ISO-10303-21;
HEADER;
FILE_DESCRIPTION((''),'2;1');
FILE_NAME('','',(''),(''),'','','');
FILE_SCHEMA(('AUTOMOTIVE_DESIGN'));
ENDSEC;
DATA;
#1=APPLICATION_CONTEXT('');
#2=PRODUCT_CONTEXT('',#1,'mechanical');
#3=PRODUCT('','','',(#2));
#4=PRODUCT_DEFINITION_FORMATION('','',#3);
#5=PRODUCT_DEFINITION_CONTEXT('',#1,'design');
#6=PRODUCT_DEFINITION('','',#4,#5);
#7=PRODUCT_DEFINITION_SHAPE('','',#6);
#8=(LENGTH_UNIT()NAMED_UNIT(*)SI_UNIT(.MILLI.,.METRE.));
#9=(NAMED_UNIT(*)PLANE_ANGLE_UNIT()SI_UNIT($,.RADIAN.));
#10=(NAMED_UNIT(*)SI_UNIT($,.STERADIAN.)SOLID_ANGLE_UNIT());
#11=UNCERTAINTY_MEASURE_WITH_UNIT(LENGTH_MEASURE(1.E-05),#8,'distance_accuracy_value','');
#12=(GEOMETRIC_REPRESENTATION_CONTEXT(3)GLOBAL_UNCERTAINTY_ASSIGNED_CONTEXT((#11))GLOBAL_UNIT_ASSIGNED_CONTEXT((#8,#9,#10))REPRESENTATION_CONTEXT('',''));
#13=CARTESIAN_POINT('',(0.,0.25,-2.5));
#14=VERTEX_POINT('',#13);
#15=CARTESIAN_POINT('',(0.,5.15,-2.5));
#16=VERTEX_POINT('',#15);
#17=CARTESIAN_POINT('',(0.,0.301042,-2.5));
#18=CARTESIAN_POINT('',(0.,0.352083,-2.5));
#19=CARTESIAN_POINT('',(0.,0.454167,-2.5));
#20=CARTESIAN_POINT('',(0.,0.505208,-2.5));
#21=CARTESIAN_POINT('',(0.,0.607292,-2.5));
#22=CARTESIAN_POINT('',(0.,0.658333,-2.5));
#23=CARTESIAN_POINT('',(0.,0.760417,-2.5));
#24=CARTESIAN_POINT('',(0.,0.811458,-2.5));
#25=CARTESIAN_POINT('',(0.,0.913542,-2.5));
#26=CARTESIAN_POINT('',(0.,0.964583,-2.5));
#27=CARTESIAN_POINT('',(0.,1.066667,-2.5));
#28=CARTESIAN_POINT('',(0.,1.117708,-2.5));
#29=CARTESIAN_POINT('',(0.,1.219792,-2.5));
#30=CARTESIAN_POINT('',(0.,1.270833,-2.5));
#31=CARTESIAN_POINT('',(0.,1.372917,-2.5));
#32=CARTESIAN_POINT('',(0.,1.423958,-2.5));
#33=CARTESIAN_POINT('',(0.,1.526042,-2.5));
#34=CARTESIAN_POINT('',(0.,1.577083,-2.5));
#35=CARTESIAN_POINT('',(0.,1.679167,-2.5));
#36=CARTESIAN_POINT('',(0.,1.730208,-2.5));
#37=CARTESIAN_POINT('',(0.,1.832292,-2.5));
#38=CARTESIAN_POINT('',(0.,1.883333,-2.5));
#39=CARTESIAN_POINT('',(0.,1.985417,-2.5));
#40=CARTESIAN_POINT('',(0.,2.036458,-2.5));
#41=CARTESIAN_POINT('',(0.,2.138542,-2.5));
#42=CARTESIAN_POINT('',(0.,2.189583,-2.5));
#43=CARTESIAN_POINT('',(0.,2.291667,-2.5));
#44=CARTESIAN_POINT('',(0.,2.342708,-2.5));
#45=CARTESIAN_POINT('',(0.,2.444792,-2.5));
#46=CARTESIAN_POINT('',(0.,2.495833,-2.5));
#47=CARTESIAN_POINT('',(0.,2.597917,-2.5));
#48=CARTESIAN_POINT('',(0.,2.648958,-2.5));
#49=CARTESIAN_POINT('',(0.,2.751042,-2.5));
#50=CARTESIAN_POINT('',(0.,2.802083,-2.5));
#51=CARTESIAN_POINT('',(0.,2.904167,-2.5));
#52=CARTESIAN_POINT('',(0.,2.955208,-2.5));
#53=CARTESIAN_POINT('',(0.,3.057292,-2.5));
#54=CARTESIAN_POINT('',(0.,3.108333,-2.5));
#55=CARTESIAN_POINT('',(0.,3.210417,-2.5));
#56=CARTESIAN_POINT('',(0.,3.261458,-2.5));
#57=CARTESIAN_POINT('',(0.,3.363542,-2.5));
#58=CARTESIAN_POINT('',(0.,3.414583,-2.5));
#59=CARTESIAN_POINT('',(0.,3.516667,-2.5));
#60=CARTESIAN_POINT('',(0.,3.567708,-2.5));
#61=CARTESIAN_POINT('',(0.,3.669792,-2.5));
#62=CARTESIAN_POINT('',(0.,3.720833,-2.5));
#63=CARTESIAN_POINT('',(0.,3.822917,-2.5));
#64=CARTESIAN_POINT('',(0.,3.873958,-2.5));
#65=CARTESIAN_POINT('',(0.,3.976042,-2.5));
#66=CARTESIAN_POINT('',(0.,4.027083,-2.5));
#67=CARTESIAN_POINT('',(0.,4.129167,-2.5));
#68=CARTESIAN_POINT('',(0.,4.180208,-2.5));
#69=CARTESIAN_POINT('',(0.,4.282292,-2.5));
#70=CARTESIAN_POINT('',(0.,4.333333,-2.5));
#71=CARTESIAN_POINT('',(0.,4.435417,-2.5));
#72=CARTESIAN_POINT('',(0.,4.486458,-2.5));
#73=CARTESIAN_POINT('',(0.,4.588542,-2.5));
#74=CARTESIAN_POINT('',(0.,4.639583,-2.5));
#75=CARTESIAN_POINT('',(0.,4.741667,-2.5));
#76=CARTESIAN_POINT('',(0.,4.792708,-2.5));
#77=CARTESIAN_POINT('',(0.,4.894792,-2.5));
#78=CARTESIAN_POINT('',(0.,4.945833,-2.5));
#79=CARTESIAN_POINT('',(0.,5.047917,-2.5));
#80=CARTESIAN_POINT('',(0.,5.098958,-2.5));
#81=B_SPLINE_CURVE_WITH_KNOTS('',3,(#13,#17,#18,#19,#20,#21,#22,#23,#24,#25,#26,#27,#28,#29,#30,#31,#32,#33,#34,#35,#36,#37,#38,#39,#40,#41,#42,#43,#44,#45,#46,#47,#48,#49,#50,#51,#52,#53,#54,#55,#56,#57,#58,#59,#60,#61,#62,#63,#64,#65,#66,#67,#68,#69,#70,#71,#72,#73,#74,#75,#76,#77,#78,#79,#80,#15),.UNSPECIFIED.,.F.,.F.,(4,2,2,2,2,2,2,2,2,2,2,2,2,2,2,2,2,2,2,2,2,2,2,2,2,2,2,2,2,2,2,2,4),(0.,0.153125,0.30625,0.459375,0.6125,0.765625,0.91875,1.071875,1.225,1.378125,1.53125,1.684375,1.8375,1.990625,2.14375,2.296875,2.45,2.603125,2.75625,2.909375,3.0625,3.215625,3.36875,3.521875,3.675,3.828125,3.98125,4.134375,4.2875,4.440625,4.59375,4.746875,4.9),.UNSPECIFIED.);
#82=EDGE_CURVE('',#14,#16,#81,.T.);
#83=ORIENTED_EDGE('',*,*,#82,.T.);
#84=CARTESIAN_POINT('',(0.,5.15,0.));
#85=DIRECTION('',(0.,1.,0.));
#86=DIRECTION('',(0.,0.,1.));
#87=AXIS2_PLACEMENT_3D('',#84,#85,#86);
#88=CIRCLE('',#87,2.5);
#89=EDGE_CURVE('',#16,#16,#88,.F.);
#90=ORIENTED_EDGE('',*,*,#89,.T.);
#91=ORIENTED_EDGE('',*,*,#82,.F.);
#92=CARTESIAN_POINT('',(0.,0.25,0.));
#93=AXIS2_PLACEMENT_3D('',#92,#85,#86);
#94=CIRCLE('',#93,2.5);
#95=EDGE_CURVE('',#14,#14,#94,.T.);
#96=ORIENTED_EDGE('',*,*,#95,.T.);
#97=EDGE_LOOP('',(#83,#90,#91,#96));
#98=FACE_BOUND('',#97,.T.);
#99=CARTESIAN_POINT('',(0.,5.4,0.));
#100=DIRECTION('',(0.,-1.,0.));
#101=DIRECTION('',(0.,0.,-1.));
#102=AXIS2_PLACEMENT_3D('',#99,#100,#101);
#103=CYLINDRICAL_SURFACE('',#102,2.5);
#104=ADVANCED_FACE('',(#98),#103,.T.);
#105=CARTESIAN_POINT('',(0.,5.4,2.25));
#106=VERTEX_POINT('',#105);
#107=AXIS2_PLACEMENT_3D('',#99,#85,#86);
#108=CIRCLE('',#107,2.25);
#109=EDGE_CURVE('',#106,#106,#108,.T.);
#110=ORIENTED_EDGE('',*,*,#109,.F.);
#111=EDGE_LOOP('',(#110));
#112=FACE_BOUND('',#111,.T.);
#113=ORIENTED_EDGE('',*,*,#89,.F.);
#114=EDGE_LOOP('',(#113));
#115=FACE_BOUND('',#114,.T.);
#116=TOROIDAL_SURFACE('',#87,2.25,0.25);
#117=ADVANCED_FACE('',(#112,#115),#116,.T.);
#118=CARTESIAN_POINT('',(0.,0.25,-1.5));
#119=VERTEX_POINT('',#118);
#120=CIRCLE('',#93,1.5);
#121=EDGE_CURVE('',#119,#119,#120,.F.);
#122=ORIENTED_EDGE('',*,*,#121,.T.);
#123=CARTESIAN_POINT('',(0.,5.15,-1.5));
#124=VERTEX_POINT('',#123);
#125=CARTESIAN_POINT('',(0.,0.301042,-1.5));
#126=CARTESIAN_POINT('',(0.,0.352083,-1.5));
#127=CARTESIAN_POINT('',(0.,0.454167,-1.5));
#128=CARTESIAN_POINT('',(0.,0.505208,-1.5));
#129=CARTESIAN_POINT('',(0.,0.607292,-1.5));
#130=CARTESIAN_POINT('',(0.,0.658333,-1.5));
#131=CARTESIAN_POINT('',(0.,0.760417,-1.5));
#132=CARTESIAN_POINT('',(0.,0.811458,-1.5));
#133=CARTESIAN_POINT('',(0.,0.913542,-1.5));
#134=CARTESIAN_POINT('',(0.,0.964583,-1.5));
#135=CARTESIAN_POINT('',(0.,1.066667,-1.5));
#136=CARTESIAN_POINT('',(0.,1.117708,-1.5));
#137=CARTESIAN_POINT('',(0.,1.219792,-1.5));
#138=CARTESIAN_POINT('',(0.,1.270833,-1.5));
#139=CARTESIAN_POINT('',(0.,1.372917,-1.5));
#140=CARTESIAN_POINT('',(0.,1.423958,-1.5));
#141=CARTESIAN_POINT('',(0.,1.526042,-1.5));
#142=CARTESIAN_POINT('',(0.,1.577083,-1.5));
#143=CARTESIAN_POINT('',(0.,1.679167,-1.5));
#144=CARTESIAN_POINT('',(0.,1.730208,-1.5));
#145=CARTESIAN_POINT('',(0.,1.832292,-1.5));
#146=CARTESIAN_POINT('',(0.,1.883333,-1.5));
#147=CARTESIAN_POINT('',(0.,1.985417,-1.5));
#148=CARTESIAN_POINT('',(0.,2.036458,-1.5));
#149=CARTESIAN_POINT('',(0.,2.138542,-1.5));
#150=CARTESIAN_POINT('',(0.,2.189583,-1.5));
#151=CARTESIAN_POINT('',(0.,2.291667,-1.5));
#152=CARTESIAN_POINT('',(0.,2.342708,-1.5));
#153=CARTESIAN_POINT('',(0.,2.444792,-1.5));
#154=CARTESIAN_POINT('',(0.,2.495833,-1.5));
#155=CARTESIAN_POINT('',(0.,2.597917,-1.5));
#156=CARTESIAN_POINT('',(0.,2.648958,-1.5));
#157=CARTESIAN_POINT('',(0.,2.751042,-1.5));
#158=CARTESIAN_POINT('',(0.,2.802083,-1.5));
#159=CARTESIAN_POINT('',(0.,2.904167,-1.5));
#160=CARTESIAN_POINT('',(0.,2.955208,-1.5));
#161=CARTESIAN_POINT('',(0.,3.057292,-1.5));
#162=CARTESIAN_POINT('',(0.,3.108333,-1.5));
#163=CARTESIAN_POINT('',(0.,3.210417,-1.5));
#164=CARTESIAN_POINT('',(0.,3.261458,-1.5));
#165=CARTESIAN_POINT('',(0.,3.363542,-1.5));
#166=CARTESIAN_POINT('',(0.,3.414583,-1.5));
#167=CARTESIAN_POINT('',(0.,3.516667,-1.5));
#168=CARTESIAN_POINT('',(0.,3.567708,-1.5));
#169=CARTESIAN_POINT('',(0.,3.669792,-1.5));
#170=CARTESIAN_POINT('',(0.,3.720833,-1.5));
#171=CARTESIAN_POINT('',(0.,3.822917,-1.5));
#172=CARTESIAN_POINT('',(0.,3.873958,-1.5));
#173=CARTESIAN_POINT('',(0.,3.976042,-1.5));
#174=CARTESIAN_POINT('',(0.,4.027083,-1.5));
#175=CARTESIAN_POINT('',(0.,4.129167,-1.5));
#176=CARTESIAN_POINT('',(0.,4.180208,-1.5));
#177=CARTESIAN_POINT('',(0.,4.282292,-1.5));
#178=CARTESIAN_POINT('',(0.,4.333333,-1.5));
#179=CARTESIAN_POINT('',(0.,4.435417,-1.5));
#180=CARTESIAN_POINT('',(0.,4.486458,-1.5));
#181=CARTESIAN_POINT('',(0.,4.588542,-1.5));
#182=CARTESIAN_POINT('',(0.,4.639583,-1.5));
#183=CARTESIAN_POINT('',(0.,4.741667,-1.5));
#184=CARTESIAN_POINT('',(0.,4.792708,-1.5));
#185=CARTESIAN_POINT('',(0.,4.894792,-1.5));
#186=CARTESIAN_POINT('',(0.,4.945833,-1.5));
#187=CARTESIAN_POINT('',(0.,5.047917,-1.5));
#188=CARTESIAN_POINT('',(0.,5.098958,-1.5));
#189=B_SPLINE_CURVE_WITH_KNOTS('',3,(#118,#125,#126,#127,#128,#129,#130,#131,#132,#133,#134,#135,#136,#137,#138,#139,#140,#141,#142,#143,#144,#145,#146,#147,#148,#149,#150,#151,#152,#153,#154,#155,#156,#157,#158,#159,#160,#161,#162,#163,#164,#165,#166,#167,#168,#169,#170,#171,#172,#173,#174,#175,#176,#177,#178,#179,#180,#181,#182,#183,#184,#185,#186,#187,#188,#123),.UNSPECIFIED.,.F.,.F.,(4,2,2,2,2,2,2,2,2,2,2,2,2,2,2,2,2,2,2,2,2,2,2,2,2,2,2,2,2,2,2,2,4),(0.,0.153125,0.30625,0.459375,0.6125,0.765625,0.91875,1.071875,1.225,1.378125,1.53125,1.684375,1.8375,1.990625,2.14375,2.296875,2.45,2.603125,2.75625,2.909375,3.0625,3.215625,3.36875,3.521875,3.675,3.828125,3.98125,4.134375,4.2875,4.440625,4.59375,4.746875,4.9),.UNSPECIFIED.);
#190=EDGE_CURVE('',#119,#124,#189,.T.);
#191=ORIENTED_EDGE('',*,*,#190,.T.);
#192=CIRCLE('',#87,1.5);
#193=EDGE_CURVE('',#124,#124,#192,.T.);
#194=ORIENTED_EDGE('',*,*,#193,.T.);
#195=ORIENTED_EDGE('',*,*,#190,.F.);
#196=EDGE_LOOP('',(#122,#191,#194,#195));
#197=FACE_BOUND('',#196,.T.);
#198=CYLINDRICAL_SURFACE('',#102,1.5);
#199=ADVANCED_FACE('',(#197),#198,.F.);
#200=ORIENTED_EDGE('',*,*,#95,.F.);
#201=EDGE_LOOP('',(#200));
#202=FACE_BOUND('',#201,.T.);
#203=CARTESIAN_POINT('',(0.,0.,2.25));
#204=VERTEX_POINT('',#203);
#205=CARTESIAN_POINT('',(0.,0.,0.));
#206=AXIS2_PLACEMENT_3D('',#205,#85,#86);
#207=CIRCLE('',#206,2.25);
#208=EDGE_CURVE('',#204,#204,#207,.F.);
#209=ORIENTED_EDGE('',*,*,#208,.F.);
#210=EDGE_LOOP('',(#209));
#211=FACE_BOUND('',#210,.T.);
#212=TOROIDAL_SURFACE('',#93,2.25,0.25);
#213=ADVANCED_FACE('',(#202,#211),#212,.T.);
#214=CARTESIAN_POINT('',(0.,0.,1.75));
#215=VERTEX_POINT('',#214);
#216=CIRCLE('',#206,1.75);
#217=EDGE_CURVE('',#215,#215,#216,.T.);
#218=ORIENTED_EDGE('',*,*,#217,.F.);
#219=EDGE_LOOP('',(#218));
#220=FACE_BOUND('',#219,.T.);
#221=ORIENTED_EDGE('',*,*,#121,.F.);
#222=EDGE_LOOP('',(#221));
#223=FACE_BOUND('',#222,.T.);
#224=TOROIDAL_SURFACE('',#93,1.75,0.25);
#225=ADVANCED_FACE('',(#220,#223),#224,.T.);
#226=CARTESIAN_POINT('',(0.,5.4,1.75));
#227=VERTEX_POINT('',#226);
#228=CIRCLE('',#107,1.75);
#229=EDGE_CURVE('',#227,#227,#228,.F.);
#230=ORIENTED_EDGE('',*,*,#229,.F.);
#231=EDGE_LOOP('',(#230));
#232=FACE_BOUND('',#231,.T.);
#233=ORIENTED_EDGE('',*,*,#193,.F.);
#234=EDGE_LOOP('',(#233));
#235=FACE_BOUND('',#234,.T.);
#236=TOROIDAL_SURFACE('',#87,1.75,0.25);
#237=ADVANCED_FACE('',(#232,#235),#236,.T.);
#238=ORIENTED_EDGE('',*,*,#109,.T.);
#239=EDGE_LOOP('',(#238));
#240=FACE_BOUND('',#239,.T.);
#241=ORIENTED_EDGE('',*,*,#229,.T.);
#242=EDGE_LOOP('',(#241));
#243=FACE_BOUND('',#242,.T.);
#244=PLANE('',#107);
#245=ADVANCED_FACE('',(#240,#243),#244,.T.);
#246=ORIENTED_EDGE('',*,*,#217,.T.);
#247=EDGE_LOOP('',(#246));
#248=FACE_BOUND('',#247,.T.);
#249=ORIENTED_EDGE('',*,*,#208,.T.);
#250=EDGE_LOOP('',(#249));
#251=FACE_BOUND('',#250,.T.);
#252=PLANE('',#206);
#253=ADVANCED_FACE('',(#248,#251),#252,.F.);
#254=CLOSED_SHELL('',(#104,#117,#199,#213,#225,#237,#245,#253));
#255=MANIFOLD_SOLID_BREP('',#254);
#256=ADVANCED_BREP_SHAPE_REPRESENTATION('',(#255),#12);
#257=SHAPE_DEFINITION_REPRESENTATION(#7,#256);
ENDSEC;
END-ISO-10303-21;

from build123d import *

# Parameters (mm, degrees)
SKETCH1_R           = 2.5
SKETCH1_R_2         = 1.5
BOSS_EXTRUDE1_DEPTH = 5.4
FILLET1_R           = 0.25


with BuildPart() as part:
    # Sketch1 → Boss-Extrude1 (new body)
    with BuildSketch(Plane(origin=(0, 0, 0), x_dir=(1, 0, 0), z_dir=(0, 1, 0))):
        with Locations(Location((0, 0, 0), (0, 0, 90))):
            Circle(SKETCH1_R)
        with Locations(Location((0, 0, 0), (0, 0, 90))):
            Circle(SKETCH1_R_2, mode=Mode.SUBTRACT)
    extrude(amount=BOSS_EXTRUDE1_DEPTH)

    # Fillet1
    fillet1_edges = [part.edges().sort_by_distance(p)[0] for p in [
        (0, 0, 2.5),
        (0, 5.4, 2.5),
        (0, 0, 1.5),
        (0, 5.4, 1.5),
    ]]
    fillet(fillet1_edges, radius=FILLET1_R)


solid = part.part
